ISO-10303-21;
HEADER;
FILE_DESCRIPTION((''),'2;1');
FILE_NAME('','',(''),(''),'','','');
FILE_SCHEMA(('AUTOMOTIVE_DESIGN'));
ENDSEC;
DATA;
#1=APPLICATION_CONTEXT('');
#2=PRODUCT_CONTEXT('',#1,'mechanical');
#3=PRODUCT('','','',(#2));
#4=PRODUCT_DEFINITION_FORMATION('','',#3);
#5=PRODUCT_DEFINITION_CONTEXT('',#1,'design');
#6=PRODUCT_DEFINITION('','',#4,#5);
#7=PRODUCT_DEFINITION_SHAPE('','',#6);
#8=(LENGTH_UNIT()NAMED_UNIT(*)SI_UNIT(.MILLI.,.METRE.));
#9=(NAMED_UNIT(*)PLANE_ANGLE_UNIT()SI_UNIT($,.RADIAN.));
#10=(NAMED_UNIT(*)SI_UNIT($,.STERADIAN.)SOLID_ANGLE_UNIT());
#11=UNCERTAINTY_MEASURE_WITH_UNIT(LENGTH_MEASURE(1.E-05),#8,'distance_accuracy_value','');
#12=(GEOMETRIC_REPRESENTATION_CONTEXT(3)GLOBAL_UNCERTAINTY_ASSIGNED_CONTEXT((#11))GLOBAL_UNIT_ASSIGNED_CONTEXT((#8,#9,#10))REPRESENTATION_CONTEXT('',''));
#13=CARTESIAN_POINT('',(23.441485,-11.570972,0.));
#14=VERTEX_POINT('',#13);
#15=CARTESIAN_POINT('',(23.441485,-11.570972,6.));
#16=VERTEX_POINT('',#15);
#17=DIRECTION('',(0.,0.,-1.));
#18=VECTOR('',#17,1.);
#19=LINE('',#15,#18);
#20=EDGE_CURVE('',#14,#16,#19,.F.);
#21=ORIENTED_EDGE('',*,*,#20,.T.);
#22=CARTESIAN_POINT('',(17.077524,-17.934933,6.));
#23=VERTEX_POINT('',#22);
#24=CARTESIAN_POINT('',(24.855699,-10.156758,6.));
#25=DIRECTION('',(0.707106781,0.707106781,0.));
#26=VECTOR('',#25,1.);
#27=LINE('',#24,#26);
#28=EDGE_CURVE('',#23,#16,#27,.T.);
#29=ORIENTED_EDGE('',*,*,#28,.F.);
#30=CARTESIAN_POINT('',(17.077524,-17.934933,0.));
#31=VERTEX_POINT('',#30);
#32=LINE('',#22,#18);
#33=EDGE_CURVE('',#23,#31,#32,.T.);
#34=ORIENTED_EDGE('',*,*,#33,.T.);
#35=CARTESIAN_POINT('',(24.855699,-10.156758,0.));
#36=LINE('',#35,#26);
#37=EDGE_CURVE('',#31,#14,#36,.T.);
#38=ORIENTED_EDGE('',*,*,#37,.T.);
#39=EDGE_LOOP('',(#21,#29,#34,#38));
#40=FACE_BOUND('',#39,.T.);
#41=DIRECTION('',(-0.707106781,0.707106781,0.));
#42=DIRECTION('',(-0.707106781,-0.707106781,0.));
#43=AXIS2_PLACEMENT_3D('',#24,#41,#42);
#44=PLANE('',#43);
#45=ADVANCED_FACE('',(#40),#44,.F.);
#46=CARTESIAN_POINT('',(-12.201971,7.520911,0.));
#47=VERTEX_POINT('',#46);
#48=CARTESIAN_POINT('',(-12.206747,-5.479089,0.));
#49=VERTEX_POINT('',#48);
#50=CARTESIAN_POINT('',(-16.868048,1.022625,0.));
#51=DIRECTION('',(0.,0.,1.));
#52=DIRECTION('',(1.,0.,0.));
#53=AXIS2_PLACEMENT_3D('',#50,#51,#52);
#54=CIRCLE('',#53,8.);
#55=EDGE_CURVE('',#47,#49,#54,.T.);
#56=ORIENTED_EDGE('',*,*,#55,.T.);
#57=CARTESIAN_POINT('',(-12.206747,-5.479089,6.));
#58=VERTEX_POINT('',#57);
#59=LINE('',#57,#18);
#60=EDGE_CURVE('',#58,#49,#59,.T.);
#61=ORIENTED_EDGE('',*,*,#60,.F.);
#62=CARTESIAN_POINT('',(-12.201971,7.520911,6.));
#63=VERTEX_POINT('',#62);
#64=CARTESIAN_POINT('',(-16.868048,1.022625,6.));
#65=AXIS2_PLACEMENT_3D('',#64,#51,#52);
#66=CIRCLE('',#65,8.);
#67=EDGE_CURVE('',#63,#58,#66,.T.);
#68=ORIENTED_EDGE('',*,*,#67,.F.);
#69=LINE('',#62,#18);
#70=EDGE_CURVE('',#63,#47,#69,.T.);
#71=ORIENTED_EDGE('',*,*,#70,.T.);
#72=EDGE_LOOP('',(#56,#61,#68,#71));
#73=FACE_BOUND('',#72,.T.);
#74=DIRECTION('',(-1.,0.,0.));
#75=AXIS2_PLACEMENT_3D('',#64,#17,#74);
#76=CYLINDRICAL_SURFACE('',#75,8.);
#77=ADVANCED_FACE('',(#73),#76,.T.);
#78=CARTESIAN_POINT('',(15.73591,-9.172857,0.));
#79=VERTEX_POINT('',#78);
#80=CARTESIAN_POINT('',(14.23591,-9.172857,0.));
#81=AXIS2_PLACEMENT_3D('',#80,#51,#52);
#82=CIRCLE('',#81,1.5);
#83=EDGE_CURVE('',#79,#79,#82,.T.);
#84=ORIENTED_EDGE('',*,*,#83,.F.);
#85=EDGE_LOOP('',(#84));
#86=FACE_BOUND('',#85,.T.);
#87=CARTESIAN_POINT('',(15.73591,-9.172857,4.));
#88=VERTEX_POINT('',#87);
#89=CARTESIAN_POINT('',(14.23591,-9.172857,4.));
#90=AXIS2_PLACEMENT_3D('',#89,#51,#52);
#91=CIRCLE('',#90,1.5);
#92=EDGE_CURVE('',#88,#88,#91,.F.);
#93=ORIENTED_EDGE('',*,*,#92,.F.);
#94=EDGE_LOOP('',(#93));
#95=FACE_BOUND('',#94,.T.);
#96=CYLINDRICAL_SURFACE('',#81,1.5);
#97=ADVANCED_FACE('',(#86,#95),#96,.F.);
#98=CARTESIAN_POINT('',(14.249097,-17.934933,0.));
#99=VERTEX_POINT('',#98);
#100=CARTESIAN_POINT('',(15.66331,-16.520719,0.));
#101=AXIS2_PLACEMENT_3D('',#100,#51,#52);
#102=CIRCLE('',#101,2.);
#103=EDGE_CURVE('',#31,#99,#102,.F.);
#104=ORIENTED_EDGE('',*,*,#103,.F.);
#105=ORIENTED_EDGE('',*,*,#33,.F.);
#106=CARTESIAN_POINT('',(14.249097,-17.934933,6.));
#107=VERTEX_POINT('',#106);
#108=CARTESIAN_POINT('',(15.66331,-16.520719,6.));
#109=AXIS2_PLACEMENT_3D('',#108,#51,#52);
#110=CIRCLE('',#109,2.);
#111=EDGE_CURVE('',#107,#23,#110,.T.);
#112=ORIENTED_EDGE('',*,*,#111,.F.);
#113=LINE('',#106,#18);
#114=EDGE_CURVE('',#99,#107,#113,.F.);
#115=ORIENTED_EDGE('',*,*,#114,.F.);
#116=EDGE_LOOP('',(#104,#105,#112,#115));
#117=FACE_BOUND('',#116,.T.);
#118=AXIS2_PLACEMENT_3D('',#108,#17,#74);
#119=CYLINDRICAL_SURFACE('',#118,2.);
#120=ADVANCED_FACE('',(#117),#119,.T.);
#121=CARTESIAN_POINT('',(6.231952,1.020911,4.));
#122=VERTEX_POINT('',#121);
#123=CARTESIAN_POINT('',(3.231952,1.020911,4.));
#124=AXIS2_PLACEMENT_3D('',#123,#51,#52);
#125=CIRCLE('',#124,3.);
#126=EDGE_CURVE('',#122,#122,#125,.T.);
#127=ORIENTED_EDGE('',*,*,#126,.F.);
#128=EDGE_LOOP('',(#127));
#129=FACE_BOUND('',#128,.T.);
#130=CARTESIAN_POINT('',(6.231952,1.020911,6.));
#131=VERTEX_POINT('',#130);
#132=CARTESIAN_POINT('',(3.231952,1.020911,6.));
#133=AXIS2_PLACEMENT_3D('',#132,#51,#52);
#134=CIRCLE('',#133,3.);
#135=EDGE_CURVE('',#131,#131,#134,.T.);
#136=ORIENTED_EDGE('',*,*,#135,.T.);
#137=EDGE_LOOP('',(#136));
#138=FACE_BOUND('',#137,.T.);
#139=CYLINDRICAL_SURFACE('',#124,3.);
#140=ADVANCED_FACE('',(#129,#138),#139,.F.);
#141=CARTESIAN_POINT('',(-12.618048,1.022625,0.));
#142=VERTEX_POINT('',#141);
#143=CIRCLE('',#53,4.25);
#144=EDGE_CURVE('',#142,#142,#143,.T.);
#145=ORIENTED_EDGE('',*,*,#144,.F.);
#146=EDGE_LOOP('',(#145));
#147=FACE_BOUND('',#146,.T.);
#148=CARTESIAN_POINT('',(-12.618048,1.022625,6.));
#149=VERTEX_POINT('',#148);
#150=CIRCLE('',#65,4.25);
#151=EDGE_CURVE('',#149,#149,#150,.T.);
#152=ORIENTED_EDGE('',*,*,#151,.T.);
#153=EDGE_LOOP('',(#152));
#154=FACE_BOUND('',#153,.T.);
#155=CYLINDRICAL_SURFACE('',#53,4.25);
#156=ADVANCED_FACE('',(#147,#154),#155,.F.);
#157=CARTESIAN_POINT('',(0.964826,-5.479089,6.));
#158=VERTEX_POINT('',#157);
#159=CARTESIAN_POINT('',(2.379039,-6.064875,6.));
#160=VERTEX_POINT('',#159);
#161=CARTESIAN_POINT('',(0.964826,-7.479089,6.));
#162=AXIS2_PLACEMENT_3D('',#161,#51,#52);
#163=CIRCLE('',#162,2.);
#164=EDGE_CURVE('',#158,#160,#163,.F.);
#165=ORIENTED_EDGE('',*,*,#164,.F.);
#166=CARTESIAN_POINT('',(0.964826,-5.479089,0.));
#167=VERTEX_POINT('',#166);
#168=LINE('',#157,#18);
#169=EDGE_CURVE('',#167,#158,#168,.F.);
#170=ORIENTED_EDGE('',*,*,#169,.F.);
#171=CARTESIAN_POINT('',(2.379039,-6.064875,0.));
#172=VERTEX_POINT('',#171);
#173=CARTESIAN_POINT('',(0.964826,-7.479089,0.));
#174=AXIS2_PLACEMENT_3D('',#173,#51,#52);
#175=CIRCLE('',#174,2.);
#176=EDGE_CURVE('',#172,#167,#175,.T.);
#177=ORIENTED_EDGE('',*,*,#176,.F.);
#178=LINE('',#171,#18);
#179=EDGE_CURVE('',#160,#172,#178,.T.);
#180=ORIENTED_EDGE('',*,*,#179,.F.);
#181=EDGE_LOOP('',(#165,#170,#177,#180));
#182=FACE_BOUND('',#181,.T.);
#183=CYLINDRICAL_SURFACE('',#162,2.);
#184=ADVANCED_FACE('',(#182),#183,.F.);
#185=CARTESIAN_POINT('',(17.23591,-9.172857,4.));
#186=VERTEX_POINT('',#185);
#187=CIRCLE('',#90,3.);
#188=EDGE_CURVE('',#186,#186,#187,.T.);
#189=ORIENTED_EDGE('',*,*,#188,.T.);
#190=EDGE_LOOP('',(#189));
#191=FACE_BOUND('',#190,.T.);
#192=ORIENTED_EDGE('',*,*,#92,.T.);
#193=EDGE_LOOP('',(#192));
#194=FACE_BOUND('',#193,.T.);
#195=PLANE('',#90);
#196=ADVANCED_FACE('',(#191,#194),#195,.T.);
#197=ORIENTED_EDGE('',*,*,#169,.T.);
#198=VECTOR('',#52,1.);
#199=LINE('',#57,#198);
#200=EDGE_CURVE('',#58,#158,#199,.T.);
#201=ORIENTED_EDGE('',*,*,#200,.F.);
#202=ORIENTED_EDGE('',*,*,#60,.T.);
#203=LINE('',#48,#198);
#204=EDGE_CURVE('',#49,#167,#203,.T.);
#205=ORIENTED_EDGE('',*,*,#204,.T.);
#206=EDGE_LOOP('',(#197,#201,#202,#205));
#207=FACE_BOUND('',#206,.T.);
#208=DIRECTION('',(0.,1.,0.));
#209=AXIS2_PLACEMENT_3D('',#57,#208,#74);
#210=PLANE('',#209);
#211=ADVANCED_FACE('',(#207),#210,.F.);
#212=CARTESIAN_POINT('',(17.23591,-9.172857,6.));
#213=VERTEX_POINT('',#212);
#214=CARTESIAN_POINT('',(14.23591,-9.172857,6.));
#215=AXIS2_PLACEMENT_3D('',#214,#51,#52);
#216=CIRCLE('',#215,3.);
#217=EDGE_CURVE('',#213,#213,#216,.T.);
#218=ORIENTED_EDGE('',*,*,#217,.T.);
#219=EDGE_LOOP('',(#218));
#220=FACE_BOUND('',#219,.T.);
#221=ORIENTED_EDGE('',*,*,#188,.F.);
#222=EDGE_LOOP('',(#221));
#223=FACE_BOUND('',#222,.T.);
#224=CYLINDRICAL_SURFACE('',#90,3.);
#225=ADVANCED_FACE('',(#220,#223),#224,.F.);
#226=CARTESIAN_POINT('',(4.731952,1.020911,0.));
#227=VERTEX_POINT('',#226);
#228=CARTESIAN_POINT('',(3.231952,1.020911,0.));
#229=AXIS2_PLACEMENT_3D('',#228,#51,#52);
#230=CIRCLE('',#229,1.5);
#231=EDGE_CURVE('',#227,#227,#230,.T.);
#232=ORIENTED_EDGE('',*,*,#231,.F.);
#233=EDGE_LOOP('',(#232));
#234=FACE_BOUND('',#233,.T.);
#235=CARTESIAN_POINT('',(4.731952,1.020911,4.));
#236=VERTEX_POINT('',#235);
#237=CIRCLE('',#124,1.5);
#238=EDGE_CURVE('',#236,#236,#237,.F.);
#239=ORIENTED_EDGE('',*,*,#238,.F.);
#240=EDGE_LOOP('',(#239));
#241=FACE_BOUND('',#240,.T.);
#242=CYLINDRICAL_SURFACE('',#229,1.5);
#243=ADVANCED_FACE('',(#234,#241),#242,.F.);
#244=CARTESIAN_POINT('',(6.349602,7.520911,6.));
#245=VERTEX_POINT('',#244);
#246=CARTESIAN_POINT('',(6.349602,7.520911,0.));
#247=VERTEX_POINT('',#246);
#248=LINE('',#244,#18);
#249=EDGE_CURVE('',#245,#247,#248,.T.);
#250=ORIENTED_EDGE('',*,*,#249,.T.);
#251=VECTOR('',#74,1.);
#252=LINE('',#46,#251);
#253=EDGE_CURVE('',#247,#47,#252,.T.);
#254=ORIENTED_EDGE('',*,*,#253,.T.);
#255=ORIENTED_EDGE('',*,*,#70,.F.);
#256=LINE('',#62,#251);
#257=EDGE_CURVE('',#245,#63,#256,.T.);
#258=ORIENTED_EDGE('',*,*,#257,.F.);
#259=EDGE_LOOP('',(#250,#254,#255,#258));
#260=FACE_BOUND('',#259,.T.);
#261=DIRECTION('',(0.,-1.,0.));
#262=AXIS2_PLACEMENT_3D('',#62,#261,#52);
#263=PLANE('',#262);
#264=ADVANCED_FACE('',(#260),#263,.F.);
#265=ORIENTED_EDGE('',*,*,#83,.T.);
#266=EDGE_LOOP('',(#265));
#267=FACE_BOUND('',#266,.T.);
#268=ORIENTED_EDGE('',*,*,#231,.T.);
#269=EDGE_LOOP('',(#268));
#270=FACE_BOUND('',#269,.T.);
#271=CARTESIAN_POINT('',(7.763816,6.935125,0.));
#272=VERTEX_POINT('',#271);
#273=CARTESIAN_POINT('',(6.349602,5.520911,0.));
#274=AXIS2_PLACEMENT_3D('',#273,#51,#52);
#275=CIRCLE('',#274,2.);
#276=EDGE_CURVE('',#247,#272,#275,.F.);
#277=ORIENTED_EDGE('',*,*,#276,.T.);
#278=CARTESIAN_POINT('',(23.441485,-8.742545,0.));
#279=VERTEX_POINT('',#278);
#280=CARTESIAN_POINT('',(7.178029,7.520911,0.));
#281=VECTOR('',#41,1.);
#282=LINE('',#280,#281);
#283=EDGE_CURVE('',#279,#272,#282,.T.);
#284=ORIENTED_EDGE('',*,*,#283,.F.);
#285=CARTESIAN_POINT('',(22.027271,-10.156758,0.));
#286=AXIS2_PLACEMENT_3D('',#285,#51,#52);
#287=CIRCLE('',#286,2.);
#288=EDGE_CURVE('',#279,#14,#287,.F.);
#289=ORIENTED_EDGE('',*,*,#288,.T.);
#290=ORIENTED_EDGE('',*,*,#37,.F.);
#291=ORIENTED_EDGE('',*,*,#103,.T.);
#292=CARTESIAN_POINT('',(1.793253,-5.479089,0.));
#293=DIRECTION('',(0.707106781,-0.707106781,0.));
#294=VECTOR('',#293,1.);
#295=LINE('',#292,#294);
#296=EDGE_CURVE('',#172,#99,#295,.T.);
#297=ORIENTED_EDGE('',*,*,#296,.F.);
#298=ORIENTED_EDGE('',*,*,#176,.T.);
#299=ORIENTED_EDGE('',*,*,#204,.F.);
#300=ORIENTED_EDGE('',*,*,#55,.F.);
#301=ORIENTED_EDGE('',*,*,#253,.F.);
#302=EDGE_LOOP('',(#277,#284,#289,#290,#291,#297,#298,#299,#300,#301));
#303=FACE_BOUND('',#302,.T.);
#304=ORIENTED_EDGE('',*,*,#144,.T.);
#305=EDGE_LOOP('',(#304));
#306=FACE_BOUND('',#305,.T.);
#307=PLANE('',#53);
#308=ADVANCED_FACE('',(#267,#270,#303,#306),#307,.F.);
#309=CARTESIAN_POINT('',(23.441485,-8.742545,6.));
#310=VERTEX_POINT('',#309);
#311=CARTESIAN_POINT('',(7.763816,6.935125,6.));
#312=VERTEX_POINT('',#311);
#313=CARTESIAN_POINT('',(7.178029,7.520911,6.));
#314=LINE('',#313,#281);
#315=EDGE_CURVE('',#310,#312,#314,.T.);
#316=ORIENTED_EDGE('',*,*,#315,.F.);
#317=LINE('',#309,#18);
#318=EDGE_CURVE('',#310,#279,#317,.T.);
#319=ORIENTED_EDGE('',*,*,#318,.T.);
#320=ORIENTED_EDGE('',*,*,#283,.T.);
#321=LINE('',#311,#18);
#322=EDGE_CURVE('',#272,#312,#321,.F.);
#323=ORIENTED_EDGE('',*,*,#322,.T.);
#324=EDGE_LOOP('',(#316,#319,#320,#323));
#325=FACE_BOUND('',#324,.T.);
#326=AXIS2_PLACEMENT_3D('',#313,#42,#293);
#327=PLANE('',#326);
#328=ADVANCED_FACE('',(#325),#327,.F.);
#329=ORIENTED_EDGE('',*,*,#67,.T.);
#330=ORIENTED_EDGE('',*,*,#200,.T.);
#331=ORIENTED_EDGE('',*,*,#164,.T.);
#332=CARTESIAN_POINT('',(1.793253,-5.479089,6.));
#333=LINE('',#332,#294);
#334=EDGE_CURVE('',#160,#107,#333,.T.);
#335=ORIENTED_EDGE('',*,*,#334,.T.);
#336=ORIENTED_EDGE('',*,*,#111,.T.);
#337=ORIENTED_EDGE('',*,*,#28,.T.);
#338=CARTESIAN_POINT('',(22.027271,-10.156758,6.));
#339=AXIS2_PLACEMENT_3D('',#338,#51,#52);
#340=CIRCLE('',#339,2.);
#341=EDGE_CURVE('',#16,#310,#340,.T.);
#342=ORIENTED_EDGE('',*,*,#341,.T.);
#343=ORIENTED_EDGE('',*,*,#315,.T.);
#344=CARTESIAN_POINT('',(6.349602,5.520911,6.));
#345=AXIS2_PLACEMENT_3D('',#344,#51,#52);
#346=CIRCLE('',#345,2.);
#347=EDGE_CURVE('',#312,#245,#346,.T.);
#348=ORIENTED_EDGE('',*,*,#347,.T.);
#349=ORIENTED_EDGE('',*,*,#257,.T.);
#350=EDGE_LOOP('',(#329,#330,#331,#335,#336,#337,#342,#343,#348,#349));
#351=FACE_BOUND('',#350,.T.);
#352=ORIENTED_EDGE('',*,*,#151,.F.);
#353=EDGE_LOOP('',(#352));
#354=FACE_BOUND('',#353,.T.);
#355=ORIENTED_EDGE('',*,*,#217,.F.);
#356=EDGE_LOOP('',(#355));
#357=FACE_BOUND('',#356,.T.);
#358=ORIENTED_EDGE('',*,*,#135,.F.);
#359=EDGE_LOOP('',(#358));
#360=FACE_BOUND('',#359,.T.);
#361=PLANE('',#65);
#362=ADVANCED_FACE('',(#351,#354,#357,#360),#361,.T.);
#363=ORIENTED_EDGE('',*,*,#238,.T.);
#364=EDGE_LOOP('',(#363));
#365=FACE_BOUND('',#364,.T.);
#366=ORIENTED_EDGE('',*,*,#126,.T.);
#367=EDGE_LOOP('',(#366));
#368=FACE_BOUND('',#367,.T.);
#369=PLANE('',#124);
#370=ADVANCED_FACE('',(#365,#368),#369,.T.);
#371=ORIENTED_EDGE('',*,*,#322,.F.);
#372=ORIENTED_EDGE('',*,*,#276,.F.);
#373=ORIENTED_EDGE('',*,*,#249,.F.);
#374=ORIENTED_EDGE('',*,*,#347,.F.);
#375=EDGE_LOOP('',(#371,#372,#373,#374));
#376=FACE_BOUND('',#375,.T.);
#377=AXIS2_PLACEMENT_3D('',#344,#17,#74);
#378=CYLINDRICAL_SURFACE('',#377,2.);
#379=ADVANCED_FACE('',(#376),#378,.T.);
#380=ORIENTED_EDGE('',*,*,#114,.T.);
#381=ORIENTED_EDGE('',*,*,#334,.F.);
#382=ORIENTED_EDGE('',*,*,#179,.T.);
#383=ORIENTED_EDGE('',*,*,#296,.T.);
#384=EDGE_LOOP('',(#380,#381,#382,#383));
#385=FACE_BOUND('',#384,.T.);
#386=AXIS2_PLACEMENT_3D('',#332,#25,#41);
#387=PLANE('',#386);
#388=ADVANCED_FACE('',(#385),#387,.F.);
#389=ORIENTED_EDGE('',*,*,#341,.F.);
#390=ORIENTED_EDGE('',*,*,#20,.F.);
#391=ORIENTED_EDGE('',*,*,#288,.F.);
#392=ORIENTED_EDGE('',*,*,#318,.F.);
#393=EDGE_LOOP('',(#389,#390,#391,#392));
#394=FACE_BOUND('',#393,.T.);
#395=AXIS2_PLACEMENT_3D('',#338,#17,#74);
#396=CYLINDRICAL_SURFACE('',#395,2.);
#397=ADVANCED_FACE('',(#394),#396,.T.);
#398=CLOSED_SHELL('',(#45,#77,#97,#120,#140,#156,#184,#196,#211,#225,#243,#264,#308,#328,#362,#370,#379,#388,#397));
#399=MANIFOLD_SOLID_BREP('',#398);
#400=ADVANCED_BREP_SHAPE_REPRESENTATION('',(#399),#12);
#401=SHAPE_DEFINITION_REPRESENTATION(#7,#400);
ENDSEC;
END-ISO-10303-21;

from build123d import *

# Parameters (mm, degrees)
BOSS_EXTRU_1_DEPTH      = 6
CONG_1_R                = 2
ESQUISSE2_R             = 4.25
ESQUISSE2_R_2           = 1.5
ENL_V_MAT_EXTRU_1_DEPTH = 32.582223448
ESQUISSE3_R             = 3
ENL_V_MAT_EXTRU_2_DEPTH = 2


with BuildPart() as part:
    # Esquisse1 → Boss.-Extru.1 (new body)
    with BuildSketch(Plane.XY):
        with BuildLine():
            Line((-12.20197091, 7.520911266), (7.17802909, 7.520911266))
            Line((7.17802909, 7.520911266), (24.855698619, -10.156758263))
            Line((24.855698619, -10.156758263), (15.663310464, -19.349146419))
            Line((15.663310464, -19.349146419), (1.793252779, -5.479088734))
            Line((1.793252779, -5.479088734), (-12.206747221, -5.479088734))
            ThreePointArc((-12.206747221, -5.479088734), (-24.868047126, 1.025564013), (-12.20197091, 7.520911266))
        make_face()
    extrude(amount=BOSS_EXTRU_1_DEPTH)

    # Congé1
    cong_1_edges = [part.edges().sort_by_distance(p)[0] for p in [
        (7.17802909, 7.520911266, 3),
        (24.855698619, -10.156758263, 3),
        (15.663310464, -19.349146419, 3),
        (1.793252779, -5.479088734, 3),
    ]]
    fillet(cong_1_edges, radius=CONG_1_R)

    # Esquisse2 → Enlèv. mat.-Extru.1 (cut, through all)
    with BuildSketch(Plane.XY.offset(6)):
        with Locations((-16.868047666, 1.022624745)):
            Circle(ESQUISSE2_R)
        with Locations((3.231952261, 1.020911266)):
            Circle(ESQUISSE2_R_2)
        with Locations((14.235909876, -9.172857262)):
            Circle(ESQUISSE2_R_2)
    extrude(amount=-ENL_V_MAT_EXTRU_1_DEPTH, mode=Mode.SUBTRACT)

    # Esquisse3 → Enlèv. mat.-Extru.2 (cut)
    with BuildSketch(Plane.XY.offset(6)):
        with Locations((3.231952261, 1.020911266)):
            Circle(ESQUISSE3_R)
        with Locations((14.235909876, -9.172857262)):
            Circle(ESQUISSE3_R)
    extrude(amount=-ENL_V_MAT_EXTRU_2_DEPTH, mode=Mode.SUBTRACT)


solid = part.part
